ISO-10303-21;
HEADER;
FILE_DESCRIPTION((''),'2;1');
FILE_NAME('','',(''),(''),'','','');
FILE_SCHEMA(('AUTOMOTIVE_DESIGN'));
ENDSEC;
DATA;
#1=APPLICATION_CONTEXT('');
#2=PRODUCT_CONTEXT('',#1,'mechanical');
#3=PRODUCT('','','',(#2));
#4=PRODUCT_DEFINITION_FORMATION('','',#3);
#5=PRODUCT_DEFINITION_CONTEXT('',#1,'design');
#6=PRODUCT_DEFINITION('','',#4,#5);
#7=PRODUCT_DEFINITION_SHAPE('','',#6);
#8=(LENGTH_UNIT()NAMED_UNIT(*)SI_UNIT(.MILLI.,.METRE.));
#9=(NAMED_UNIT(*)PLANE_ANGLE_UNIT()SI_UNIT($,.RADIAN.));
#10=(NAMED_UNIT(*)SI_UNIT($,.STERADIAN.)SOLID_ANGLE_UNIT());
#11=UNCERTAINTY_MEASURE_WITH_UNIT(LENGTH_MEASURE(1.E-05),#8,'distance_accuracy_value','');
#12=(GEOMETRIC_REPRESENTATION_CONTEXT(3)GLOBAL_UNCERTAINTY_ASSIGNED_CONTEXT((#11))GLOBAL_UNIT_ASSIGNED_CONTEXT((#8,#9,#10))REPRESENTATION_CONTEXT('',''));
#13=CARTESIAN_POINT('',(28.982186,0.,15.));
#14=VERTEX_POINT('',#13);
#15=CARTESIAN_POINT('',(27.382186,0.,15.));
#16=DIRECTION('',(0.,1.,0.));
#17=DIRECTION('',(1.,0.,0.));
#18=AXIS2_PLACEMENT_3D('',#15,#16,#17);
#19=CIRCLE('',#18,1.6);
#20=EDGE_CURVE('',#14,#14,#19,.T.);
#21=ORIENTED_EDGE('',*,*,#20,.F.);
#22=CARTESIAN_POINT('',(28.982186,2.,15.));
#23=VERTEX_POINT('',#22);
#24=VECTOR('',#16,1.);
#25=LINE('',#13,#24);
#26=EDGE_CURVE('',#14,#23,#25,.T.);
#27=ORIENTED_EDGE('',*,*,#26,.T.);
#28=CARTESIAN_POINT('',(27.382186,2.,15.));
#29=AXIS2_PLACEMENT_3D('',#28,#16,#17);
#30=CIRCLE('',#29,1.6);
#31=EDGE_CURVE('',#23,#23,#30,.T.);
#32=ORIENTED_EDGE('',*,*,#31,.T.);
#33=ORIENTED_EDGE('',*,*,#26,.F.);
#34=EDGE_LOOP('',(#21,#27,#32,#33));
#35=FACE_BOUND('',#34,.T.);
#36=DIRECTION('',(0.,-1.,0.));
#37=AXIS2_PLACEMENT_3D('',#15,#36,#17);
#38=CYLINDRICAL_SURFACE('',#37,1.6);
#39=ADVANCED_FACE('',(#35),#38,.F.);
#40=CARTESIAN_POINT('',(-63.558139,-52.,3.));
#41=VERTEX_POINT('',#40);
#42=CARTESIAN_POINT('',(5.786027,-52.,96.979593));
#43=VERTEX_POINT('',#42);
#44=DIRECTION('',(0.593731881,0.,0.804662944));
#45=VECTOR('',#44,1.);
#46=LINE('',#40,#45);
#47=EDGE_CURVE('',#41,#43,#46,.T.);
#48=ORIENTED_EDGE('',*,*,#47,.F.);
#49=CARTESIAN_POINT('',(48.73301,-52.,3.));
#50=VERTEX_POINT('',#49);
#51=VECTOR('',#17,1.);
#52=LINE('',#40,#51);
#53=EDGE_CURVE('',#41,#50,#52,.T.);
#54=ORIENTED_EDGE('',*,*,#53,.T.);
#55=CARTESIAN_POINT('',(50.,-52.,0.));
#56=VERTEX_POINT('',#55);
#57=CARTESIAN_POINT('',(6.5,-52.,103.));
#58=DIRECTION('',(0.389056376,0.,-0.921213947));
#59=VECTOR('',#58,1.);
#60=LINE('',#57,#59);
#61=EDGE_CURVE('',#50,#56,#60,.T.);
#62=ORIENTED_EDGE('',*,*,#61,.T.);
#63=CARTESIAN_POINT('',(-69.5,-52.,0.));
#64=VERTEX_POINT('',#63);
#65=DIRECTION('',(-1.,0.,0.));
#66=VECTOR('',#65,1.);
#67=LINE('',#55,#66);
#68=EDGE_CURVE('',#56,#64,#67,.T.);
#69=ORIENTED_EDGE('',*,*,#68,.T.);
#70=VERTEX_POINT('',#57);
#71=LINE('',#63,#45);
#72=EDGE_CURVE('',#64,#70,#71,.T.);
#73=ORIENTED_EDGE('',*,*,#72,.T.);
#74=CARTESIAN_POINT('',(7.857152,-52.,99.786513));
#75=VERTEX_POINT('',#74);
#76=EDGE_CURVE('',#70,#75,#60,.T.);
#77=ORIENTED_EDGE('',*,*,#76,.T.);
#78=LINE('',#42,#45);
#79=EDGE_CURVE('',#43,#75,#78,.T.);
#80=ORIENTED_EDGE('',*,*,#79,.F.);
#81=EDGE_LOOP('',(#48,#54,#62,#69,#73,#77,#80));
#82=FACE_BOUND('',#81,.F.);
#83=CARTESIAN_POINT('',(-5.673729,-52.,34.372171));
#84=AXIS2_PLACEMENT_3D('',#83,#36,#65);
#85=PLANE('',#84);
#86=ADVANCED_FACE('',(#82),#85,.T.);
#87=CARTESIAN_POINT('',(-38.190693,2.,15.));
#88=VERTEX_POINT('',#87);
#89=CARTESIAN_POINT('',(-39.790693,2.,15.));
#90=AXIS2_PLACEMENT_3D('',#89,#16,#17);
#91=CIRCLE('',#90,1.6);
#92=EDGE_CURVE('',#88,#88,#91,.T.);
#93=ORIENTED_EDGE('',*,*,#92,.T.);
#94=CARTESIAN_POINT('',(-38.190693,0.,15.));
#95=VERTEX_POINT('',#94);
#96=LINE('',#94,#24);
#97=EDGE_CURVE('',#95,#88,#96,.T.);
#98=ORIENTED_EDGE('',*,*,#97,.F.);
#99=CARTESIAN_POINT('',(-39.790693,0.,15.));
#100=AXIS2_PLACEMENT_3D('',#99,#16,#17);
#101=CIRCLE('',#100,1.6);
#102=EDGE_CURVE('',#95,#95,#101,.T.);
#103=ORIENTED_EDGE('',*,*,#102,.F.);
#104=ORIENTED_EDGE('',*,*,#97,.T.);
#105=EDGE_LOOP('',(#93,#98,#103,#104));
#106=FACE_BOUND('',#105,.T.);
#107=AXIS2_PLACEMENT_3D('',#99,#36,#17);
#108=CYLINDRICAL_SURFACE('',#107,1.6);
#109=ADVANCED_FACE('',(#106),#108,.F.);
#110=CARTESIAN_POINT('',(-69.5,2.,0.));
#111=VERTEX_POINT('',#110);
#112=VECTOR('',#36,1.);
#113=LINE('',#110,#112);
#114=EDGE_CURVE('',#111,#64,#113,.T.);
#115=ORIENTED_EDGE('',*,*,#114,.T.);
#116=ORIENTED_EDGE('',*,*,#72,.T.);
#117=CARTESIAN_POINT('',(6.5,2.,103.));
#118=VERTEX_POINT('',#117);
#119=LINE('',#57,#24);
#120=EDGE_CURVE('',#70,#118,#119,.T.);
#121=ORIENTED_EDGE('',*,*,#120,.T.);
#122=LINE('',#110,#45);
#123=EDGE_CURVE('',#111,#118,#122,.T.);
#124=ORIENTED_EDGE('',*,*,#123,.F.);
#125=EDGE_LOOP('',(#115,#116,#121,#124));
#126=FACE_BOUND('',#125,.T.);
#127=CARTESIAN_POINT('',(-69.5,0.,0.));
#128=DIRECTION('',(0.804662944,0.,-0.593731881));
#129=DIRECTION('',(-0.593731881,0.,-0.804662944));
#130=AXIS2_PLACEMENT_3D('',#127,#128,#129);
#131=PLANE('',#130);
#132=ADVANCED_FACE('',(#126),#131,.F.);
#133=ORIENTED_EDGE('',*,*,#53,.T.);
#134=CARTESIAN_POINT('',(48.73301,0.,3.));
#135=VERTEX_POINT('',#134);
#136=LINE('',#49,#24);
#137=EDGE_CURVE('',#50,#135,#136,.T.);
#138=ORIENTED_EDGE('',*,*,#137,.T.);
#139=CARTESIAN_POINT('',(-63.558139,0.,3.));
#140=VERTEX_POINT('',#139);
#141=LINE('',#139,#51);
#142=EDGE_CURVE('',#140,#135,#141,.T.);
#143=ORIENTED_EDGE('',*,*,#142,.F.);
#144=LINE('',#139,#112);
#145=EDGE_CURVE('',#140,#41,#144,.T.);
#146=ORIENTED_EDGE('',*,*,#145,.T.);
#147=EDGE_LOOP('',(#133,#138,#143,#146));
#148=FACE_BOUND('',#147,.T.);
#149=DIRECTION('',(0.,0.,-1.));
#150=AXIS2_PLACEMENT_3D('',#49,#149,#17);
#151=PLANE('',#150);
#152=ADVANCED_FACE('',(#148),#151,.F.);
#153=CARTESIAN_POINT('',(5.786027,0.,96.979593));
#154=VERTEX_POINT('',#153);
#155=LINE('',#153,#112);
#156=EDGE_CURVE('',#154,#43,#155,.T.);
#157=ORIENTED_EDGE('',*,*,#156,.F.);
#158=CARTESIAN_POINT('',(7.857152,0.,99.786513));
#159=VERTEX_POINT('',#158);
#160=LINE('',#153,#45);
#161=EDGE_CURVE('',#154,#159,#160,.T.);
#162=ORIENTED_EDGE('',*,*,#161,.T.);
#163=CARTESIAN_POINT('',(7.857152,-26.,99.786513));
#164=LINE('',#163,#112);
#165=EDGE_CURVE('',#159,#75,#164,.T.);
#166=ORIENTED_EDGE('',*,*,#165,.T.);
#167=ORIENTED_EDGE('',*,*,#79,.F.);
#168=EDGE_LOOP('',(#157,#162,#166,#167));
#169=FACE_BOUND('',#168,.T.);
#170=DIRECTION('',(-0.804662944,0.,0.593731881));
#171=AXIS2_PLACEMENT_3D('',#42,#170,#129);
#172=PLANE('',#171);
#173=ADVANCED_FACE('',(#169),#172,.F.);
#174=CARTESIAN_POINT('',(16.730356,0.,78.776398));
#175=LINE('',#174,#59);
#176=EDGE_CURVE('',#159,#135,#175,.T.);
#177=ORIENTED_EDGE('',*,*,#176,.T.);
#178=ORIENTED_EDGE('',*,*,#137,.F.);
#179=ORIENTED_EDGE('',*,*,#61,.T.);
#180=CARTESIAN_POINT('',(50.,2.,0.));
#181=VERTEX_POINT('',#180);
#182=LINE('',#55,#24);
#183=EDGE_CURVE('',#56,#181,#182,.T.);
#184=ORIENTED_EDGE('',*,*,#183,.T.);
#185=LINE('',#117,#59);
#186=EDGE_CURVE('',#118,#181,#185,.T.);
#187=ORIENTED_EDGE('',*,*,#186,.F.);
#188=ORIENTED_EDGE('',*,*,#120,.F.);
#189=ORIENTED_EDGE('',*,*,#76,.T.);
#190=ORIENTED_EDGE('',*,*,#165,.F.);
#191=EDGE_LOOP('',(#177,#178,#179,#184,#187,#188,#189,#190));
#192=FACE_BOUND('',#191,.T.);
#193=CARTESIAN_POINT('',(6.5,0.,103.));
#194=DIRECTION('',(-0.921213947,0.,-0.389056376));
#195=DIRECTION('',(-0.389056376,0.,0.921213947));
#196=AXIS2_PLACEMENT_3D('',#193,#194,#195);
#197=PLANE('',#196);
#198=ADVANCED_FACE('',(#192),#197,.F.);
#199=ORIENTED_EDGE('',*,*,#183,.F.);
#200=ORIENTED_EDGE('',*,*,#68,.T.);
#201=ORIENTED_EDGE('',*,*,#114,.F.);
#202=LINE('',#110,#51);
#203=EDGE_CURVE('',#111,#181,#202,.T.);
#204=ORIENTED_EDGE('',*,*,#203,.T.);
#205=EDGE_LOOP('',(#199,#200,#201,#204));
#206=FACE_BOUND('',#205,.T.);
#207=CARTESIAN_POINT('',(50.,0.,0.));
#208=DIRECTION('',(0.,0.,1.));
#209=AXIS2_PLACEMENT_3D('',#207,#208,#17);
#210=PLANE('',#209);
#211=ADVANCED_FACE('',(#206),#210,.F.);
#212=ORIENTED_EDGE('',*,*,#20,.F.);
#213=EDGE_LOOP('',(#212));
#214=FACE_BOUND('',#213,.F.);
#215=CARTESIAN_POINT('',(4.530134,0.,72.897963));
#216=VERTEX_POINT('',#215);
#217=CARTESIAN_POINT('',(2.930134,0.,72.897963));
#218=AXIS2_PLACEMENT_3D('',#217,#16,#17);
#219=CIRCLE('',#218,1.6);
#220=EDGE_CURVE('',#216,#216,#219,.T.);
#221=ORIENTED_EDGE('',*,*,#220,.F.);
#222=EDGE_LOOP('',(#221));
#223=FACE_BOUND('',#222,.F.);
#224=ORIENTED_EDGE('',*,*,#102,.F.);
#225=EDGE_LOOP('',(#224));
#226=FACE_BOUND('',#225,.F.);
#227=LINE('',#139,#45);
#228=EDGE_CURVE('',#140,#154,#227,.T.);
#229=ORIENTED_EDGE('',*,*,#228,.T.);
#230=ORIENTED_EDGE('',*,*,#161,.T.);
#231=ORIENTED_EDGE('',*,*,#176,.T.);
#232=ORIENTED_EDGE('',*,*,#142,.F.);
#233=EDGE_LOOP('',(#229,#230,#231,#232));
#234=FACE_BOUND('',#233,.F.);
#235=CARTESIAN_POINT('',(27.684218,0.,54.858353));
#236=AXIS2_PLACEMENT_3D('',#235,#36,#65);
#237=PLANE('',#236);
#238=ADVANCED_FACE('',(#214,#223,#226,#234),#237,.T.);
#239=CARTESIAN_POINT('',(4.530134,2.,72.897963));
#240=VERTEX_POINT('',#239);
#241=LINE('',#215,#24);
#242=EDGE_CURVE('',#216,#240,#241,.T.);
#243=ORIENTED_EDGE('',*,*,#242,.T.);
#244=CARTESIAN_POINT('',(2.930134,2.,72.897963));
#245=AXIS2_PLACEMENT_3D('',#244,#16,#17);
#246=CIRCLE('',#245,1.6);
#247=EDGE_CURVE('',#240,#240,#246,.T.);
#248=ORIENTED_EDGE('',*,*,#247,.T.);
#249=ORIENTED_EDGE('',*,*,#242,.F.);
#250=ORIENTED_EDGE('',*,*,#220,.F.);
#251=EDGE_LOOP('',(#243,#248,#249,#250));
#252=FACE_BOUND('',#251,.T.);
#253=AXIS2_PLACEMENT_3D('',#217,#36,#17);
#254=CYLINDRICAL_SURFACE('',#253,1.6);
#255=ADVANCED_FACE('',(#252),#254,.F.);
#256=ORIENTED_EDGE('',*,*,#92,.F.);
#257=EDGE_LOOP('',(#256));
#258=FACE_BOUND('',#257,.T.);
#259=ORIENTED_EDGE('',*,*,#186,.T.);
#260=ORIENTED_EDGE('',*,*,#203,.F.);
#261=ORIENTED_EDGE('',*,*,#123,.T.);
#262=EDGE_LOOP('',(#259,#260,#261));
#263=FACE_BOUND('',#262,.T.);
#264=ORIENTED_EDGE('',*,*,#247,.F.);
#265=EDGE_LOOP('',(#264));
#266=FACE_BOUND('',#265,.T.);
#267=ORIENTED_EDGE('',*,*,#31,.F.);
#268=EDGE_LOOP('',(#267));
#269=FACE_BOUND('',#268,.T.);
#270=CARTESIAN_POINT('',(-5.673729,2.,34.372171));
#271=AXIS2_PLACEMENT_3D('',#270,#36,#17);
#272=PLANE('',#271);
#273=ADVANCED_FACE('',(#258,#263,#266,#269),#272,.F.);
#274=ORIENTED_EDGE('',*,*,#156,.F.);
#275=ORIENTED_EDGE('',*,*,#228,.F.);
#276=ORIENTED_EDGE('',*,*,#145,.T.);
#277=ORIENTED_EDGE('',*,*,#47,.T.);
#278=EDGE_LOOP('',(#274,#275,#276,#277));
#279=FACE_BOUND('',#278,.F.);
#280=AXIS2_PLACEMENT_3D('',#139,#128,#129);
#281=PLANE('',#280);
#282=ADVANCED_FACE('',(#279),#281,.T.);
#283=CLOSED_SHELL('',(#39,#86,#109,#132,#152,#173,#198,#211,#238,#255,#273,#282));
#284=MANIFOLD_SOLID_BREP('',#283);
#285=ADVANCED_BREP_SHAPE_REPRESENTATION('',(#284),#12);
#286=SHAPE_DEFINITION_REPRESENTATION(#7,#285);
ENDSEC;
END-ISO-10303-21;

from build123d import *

# Parameters (mm, degrees)
BOSS_EXTRUDE1_DEPTH = 2
BOSS_EXTRUDE2_DEPTH = 52
SKETCH4_R           = 1.6
CUT_EXTRUDE3_DEPTH  = 52
CUT_EXTRUDE4_DEPTH  = 52


with BuildPart() as part:
    # Sketch1 → Boss-Extrude1 (new body)
    with BuildSketch(Plane(origin=(0, 0, 0), x_dir=(1, 0, 0), z_dir=(0, 1, 0))):
        Polygon((0, 0), (-69.5, 0), (6.5, 103), (50, 0), (40, 0), align=None)
    extrude(amount=BOSS_EXTRUDE1_DEPTH)

    # Sketch2 → Boss-Extrude2 (add)
    with BuildSketch(Plane.XZ):
        Polygon((50, 0), (-69.5, 0), (6.5, -103), align=None)
        Polygon((5.786026753, -96.979592592), (45.476437216, -3), (-63.558138655, -3), align=None, mode=Mode.SUBTRACT)
    extrude(amount=BOSS_EXTRUDE2_DEPTH)

    # Sketch4 → Cut-Extrude3 (cut)
    with BuildSketch(Plane.XZ):
        with Locations((-39.790693273, -15)):
            Circle(SKETCH4_R)
        with Locations((27.382186082, -15)):
            Circle(SKETCH4_R)
        with Locations((2.930133764, -72.897962959)):
            Circle(SKETCH4_R)
    extrude(amount=-CUT_EXTRUDE3_DEPTH, mode=Mode.SUBTRACT)

    # Sketch6 → Cut-Extrude4 (cut)
    with BuildSketch(Plane.XZ.offset(52)):
        Polygon((5.786026753, -96.979592592), (13.566318251, -107.523935016), (48.733009709, -3), (45.476437216, -3), align=None)
    extrude(amount=-CUT_EXTRUDE4_DEPTH, mode=Mode.SUBTRACT)


with BuildPart() as body_2:
    # Mirror1: mirrored copy
    add(part.part.mirror(Plane(origin=(0, 2, 0), x_dir=(1, 0, 0), z_dir=(0, 0, -1))))


solid = body_2.part
